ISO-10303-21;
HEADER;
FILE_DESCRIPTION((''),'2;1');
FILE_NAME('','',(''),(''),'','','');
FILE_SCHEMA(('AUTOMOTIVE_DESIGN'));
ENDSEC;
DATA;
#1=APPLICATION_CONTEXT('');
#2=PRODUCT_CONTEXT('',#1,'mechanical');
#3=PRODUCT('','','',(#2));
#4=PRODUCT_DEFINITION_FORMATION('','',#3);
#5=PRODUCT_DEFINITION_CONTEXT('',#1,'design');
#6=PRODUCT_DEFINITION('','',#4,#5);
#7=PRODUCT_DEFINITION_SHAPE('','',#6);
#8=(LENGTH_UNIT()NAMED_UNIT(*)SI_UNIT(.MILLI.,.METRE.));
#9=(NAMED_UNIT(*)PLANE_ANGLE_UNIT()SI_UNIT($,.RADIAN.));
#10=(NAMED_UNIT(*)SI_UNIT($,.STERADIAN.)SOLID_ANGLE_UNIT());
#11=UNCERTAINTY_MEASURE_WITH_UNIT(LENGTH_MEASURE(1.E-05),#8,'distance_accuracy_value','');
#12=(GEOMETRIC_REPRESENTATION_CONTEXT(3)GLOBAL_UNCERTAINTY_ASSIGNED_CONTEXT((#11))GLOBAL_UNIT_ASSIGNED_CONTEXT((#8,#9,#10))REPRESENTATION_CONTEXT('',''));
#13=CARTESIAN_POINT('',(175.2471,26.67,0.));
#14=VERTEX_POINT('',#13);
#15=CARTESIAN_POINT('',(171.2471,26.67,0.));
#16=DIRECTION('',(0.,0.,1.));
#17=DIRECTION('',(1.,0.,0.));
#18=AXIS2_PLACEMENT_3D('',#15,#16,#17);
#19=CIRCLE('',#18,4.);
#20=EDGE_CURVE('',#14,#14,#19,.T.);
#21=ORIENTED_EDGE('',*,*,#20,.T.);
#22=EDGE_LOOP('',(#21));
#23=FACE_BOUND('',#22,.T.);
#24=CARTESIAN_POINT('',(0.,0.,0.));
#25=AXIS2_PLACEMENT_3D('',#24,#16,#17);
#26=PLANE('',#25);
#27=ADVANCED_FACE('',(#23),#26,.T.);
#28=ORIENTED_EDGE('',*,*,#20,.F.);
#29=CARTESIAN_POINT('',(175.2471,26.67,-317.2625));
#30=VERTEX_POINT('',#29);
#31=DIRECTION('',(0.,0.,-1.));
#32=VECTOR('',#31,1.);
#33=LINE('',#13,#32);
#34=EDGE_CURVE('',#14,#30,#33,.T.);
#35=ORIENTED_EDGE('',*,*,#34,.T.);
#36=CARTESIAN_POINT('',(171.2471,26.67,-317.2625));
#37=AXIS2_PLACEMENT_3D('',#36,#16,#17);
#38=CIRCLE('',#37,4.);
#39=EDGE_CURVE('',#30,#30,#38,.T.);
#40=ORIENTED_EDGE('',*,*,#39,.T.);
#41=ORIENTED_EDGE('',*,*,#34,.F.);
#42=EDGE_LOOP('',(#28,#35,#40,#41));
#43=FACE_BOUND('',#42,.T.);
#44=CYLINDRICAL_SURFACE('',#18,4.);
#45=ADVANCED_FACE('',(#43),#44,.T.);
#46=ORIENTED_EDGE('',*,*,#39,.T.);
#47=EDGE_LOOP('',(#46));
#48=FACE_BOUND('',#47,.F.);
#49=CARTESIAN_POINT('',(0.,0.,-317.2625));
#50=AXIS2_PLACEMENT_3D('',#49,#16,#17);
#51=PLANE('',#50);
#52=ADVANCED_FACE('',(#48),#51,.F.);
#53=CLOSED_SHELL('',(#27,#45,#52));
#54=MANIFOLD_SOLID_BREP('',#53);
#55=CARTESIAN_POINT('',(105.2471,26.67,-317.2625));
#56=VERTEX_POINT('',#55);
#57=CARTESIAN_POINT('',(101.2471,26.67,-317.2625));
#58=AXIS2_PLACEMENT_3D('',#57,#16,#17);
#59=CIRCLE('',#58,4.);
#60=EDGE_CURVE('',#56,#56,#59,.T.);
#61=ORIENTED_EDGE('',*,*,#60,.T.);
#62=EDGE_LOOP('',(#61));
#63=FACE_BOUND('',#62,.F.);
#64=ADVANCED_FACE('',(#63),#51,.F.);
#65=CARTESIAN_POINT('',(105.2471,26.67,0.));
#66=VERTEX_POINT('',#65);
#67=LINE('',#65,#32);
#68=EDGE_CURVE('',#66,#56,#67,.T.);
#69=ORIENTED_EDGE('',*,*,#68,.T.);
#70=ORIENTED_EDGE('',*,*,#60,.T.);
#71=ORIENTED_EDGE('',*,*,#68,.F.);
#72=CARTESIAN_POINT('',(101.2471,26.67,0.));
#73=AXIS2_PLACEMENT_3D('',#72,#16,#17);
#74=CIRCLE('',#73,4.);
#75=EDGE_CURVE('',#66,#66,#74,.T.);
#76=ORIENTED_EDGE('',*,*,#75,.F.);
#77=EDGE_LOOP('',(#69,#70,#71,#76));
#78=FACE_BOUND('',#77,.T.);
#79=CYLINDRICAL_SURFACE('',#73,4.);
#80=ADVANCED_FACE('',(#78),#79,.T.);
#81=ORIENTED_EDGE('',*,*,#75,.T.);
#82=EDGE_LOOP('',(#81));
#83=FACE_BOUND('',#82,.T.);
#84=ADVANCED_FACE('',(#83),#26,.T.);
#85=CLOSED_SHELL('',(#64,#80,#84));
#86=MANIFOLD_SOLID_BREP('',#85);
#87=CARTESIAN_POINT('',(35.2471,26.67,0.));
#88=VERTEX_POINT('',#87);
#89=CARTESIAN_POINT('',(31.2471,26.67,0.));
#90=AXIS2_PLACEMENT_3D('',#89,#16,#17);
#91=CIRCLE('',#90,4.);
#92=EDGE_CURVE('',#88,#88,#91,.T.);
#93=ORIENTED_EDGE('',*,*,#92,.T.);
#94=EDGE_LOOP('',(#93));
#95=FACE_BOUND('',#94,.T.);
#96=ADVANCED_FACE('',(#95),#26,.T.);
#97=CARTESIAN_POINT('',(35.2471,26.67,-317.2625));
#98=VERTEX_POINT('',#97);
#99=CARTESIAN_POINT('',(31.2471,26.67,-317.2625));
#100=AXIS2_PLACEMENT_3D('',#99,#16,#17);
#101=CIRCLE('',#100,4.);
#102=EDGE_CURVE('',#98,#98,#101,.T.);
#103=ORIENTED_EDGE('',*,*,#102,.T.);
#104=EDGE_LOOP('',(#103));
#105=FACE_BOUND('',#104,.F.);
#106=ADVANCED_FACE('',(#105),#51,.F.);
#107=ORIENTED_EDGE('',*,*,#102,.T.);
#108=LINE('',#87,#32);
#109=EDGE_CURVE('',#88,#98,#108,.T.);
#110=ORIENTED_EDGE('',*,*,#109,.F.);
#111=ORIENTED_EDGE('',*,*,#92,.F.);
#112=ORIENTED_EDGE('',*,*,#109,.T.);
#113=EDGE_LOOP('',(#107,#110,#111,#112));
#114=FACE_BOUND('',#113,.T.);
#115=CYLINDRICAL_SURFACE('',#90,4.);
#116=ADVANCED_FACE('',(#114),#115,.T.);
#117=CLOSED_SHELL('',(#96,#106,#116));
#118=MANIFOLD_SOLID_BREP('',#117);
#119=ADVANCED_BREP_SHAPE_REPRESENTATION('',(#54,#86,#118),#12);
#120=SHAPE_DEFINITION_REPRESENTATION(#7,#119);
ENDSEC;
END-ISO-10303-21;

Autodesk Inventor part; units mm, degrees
ref_plane "YZ Plane" through (0, 0, 0) normal (1, 0, 0) x (0, 1, 0)
ref_plane "XZ Plane" through (0, 0, 0) normal (0, 1, 0) x (-1, 0, 0)
ref_plane "Work Plane1" through (0, 0, 0) normal (0, 0, 1) x (1, 0, 0)
sketch "Sketch1" plane through (0, 0, 0) normal (0, 0, 1) x (1, 0, 0)
  circle A0 centre (31.2471, 26.67) radius 4 projected
  circle A1 centre (171.2471, 26.67) radius 4 projected
  circle A2 centre (101.2471, 26.67) radius 5 projected
  circle A3 centre (101.2471, 26.67) radius 4
  point P0 (0, 0)
  dimension "d0" = 8
ref_plane "Work Plane2" through (21.2841, 5.08, -317.2625) normal (0, 0, -1) x (0, 1, 0)
extrude "Extrusion1" add sketch "Sketch1" against normal up to surface (317.2625 mm away) contours A0 | A1 | A3
properties part number "YRails"
